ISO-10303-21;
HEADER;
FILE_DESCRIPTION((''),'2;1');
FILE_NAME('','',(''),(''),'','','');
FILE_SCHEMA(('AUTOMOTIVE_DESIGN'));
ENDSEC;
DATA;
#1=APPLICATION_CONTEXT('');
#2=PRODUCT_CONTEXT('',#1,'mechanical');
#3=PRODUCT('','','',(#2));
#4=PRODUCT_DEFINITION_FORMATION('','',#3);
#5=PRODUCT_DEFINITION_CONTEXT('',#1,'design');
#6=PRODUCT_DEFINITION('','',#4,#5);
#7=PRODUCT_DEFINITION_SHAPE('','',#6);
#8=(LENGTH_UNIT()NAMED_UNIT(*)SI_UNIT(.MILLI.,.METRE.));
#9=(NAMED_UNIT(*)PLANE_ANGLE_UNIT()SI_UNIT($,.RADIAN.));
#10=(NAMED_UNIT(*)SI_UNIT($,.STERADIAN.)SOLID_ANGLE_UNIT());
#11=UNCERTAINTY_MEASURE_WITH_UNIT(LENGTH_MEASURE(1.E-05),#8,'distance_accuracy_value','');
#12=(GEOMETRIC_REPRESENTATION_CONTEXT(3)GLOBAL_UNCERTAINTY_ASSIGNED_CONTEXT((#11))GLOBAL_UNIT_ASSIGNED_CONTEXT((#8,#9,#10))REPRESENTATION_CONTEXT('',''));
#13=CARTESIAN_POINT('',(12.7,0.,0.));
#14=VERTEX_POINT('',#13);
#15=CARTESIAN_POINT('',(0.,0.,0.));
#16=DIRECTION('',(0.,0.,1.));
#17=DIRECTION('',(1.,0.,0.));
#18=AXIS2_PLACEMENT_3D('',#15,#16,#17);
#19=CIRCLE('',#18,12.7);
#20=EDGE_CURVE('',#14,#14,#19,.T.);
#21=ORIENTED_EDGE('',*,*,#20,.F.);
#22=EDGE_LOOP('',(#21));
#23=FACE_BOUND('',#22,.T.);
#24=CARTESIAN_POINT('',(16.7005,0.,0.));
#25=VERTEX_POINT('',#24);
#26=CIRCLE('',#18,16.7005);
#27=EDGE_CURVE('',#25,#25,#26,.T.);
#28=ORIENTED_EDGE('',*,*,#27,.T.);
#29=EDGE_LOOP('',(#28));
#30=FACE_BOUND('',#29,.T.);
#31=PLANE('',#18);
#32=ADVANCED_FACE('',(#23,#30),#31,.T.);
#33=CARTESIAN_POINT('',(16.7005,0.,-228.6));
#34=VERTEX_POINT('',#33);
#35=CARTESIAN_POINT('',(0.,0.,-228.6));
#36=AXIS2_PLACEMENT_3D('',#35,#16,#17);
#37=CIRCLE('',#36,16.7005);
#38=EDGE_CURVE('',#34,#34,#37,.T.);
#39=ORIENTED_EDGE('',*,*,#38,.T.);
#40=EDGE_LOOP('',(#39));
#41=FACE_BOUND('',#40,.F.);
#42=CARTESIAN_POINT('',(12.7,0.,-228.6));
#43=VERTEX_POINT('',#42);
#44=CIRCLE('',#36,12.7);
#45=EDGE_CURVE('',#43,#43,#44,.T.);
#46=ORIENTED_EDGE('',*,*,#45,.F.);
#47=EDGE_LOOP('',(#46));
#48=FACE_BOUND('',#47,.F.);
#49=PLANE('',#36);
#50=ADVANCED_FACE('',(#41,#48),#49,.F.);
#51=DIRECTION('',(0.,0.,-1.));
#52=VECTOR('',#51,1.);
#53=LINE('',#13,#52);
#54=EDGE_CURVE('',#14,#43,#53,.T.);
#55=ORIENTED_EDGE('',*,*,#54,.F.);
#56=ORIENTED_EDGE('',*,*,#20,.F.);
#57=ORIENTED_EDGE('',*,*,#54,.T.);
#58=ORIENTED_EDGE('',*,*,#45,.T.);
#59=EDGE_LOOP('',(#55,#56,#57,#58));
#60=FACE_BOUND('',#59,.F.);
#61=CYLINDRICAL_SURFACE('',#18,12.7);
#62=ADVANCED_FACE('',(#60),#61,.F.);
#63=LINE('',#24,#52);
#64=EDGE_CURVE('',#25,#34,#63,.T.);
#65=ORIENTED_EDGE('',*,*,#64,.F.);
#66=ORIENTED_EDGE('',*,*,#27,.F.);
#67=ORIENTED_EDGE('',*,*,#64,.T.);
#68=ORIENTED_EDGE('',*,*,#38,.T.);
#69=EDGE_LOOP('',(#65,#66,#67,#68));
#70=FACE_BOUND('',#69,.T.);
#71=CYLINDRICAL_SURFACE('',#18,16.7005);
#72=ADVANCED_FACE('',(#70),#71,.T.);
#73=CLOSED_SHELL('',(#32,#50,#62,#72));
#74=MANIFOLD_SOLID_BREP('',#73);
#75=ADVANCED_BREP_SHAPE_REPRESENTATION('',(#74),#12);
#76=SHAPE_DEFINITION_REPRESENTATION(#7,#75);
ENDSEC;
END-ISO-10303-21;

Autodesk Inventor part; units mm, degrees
ref_plane "YZ Plane" through (0, 0, 0) normal (1, 0, 0) x (0, 1, 0)
ref_plane "XZ Plane" through (0, 0, 0) normal (0, 1, 0) x (-1, 0, 0)
ref_plane "XY Plane" through (0, 0, 0) normal (0, 0, 1) x (1, 0, 0)
sketch "Sketch1" plane through (0, 0, 0) normal (0, 0, 1) x (1, 0, 0)
  circle A0 centre (0, 0) radius 16.7005
  circle A1 centre (0, 0) radius 12.7
  dimension "d0" = 33.401
  dimension "d1" = 25.4
extrude "Extrusion1" add sketch "Sketch1" against normal blind 228.6
properties part number "Pipe 7"
